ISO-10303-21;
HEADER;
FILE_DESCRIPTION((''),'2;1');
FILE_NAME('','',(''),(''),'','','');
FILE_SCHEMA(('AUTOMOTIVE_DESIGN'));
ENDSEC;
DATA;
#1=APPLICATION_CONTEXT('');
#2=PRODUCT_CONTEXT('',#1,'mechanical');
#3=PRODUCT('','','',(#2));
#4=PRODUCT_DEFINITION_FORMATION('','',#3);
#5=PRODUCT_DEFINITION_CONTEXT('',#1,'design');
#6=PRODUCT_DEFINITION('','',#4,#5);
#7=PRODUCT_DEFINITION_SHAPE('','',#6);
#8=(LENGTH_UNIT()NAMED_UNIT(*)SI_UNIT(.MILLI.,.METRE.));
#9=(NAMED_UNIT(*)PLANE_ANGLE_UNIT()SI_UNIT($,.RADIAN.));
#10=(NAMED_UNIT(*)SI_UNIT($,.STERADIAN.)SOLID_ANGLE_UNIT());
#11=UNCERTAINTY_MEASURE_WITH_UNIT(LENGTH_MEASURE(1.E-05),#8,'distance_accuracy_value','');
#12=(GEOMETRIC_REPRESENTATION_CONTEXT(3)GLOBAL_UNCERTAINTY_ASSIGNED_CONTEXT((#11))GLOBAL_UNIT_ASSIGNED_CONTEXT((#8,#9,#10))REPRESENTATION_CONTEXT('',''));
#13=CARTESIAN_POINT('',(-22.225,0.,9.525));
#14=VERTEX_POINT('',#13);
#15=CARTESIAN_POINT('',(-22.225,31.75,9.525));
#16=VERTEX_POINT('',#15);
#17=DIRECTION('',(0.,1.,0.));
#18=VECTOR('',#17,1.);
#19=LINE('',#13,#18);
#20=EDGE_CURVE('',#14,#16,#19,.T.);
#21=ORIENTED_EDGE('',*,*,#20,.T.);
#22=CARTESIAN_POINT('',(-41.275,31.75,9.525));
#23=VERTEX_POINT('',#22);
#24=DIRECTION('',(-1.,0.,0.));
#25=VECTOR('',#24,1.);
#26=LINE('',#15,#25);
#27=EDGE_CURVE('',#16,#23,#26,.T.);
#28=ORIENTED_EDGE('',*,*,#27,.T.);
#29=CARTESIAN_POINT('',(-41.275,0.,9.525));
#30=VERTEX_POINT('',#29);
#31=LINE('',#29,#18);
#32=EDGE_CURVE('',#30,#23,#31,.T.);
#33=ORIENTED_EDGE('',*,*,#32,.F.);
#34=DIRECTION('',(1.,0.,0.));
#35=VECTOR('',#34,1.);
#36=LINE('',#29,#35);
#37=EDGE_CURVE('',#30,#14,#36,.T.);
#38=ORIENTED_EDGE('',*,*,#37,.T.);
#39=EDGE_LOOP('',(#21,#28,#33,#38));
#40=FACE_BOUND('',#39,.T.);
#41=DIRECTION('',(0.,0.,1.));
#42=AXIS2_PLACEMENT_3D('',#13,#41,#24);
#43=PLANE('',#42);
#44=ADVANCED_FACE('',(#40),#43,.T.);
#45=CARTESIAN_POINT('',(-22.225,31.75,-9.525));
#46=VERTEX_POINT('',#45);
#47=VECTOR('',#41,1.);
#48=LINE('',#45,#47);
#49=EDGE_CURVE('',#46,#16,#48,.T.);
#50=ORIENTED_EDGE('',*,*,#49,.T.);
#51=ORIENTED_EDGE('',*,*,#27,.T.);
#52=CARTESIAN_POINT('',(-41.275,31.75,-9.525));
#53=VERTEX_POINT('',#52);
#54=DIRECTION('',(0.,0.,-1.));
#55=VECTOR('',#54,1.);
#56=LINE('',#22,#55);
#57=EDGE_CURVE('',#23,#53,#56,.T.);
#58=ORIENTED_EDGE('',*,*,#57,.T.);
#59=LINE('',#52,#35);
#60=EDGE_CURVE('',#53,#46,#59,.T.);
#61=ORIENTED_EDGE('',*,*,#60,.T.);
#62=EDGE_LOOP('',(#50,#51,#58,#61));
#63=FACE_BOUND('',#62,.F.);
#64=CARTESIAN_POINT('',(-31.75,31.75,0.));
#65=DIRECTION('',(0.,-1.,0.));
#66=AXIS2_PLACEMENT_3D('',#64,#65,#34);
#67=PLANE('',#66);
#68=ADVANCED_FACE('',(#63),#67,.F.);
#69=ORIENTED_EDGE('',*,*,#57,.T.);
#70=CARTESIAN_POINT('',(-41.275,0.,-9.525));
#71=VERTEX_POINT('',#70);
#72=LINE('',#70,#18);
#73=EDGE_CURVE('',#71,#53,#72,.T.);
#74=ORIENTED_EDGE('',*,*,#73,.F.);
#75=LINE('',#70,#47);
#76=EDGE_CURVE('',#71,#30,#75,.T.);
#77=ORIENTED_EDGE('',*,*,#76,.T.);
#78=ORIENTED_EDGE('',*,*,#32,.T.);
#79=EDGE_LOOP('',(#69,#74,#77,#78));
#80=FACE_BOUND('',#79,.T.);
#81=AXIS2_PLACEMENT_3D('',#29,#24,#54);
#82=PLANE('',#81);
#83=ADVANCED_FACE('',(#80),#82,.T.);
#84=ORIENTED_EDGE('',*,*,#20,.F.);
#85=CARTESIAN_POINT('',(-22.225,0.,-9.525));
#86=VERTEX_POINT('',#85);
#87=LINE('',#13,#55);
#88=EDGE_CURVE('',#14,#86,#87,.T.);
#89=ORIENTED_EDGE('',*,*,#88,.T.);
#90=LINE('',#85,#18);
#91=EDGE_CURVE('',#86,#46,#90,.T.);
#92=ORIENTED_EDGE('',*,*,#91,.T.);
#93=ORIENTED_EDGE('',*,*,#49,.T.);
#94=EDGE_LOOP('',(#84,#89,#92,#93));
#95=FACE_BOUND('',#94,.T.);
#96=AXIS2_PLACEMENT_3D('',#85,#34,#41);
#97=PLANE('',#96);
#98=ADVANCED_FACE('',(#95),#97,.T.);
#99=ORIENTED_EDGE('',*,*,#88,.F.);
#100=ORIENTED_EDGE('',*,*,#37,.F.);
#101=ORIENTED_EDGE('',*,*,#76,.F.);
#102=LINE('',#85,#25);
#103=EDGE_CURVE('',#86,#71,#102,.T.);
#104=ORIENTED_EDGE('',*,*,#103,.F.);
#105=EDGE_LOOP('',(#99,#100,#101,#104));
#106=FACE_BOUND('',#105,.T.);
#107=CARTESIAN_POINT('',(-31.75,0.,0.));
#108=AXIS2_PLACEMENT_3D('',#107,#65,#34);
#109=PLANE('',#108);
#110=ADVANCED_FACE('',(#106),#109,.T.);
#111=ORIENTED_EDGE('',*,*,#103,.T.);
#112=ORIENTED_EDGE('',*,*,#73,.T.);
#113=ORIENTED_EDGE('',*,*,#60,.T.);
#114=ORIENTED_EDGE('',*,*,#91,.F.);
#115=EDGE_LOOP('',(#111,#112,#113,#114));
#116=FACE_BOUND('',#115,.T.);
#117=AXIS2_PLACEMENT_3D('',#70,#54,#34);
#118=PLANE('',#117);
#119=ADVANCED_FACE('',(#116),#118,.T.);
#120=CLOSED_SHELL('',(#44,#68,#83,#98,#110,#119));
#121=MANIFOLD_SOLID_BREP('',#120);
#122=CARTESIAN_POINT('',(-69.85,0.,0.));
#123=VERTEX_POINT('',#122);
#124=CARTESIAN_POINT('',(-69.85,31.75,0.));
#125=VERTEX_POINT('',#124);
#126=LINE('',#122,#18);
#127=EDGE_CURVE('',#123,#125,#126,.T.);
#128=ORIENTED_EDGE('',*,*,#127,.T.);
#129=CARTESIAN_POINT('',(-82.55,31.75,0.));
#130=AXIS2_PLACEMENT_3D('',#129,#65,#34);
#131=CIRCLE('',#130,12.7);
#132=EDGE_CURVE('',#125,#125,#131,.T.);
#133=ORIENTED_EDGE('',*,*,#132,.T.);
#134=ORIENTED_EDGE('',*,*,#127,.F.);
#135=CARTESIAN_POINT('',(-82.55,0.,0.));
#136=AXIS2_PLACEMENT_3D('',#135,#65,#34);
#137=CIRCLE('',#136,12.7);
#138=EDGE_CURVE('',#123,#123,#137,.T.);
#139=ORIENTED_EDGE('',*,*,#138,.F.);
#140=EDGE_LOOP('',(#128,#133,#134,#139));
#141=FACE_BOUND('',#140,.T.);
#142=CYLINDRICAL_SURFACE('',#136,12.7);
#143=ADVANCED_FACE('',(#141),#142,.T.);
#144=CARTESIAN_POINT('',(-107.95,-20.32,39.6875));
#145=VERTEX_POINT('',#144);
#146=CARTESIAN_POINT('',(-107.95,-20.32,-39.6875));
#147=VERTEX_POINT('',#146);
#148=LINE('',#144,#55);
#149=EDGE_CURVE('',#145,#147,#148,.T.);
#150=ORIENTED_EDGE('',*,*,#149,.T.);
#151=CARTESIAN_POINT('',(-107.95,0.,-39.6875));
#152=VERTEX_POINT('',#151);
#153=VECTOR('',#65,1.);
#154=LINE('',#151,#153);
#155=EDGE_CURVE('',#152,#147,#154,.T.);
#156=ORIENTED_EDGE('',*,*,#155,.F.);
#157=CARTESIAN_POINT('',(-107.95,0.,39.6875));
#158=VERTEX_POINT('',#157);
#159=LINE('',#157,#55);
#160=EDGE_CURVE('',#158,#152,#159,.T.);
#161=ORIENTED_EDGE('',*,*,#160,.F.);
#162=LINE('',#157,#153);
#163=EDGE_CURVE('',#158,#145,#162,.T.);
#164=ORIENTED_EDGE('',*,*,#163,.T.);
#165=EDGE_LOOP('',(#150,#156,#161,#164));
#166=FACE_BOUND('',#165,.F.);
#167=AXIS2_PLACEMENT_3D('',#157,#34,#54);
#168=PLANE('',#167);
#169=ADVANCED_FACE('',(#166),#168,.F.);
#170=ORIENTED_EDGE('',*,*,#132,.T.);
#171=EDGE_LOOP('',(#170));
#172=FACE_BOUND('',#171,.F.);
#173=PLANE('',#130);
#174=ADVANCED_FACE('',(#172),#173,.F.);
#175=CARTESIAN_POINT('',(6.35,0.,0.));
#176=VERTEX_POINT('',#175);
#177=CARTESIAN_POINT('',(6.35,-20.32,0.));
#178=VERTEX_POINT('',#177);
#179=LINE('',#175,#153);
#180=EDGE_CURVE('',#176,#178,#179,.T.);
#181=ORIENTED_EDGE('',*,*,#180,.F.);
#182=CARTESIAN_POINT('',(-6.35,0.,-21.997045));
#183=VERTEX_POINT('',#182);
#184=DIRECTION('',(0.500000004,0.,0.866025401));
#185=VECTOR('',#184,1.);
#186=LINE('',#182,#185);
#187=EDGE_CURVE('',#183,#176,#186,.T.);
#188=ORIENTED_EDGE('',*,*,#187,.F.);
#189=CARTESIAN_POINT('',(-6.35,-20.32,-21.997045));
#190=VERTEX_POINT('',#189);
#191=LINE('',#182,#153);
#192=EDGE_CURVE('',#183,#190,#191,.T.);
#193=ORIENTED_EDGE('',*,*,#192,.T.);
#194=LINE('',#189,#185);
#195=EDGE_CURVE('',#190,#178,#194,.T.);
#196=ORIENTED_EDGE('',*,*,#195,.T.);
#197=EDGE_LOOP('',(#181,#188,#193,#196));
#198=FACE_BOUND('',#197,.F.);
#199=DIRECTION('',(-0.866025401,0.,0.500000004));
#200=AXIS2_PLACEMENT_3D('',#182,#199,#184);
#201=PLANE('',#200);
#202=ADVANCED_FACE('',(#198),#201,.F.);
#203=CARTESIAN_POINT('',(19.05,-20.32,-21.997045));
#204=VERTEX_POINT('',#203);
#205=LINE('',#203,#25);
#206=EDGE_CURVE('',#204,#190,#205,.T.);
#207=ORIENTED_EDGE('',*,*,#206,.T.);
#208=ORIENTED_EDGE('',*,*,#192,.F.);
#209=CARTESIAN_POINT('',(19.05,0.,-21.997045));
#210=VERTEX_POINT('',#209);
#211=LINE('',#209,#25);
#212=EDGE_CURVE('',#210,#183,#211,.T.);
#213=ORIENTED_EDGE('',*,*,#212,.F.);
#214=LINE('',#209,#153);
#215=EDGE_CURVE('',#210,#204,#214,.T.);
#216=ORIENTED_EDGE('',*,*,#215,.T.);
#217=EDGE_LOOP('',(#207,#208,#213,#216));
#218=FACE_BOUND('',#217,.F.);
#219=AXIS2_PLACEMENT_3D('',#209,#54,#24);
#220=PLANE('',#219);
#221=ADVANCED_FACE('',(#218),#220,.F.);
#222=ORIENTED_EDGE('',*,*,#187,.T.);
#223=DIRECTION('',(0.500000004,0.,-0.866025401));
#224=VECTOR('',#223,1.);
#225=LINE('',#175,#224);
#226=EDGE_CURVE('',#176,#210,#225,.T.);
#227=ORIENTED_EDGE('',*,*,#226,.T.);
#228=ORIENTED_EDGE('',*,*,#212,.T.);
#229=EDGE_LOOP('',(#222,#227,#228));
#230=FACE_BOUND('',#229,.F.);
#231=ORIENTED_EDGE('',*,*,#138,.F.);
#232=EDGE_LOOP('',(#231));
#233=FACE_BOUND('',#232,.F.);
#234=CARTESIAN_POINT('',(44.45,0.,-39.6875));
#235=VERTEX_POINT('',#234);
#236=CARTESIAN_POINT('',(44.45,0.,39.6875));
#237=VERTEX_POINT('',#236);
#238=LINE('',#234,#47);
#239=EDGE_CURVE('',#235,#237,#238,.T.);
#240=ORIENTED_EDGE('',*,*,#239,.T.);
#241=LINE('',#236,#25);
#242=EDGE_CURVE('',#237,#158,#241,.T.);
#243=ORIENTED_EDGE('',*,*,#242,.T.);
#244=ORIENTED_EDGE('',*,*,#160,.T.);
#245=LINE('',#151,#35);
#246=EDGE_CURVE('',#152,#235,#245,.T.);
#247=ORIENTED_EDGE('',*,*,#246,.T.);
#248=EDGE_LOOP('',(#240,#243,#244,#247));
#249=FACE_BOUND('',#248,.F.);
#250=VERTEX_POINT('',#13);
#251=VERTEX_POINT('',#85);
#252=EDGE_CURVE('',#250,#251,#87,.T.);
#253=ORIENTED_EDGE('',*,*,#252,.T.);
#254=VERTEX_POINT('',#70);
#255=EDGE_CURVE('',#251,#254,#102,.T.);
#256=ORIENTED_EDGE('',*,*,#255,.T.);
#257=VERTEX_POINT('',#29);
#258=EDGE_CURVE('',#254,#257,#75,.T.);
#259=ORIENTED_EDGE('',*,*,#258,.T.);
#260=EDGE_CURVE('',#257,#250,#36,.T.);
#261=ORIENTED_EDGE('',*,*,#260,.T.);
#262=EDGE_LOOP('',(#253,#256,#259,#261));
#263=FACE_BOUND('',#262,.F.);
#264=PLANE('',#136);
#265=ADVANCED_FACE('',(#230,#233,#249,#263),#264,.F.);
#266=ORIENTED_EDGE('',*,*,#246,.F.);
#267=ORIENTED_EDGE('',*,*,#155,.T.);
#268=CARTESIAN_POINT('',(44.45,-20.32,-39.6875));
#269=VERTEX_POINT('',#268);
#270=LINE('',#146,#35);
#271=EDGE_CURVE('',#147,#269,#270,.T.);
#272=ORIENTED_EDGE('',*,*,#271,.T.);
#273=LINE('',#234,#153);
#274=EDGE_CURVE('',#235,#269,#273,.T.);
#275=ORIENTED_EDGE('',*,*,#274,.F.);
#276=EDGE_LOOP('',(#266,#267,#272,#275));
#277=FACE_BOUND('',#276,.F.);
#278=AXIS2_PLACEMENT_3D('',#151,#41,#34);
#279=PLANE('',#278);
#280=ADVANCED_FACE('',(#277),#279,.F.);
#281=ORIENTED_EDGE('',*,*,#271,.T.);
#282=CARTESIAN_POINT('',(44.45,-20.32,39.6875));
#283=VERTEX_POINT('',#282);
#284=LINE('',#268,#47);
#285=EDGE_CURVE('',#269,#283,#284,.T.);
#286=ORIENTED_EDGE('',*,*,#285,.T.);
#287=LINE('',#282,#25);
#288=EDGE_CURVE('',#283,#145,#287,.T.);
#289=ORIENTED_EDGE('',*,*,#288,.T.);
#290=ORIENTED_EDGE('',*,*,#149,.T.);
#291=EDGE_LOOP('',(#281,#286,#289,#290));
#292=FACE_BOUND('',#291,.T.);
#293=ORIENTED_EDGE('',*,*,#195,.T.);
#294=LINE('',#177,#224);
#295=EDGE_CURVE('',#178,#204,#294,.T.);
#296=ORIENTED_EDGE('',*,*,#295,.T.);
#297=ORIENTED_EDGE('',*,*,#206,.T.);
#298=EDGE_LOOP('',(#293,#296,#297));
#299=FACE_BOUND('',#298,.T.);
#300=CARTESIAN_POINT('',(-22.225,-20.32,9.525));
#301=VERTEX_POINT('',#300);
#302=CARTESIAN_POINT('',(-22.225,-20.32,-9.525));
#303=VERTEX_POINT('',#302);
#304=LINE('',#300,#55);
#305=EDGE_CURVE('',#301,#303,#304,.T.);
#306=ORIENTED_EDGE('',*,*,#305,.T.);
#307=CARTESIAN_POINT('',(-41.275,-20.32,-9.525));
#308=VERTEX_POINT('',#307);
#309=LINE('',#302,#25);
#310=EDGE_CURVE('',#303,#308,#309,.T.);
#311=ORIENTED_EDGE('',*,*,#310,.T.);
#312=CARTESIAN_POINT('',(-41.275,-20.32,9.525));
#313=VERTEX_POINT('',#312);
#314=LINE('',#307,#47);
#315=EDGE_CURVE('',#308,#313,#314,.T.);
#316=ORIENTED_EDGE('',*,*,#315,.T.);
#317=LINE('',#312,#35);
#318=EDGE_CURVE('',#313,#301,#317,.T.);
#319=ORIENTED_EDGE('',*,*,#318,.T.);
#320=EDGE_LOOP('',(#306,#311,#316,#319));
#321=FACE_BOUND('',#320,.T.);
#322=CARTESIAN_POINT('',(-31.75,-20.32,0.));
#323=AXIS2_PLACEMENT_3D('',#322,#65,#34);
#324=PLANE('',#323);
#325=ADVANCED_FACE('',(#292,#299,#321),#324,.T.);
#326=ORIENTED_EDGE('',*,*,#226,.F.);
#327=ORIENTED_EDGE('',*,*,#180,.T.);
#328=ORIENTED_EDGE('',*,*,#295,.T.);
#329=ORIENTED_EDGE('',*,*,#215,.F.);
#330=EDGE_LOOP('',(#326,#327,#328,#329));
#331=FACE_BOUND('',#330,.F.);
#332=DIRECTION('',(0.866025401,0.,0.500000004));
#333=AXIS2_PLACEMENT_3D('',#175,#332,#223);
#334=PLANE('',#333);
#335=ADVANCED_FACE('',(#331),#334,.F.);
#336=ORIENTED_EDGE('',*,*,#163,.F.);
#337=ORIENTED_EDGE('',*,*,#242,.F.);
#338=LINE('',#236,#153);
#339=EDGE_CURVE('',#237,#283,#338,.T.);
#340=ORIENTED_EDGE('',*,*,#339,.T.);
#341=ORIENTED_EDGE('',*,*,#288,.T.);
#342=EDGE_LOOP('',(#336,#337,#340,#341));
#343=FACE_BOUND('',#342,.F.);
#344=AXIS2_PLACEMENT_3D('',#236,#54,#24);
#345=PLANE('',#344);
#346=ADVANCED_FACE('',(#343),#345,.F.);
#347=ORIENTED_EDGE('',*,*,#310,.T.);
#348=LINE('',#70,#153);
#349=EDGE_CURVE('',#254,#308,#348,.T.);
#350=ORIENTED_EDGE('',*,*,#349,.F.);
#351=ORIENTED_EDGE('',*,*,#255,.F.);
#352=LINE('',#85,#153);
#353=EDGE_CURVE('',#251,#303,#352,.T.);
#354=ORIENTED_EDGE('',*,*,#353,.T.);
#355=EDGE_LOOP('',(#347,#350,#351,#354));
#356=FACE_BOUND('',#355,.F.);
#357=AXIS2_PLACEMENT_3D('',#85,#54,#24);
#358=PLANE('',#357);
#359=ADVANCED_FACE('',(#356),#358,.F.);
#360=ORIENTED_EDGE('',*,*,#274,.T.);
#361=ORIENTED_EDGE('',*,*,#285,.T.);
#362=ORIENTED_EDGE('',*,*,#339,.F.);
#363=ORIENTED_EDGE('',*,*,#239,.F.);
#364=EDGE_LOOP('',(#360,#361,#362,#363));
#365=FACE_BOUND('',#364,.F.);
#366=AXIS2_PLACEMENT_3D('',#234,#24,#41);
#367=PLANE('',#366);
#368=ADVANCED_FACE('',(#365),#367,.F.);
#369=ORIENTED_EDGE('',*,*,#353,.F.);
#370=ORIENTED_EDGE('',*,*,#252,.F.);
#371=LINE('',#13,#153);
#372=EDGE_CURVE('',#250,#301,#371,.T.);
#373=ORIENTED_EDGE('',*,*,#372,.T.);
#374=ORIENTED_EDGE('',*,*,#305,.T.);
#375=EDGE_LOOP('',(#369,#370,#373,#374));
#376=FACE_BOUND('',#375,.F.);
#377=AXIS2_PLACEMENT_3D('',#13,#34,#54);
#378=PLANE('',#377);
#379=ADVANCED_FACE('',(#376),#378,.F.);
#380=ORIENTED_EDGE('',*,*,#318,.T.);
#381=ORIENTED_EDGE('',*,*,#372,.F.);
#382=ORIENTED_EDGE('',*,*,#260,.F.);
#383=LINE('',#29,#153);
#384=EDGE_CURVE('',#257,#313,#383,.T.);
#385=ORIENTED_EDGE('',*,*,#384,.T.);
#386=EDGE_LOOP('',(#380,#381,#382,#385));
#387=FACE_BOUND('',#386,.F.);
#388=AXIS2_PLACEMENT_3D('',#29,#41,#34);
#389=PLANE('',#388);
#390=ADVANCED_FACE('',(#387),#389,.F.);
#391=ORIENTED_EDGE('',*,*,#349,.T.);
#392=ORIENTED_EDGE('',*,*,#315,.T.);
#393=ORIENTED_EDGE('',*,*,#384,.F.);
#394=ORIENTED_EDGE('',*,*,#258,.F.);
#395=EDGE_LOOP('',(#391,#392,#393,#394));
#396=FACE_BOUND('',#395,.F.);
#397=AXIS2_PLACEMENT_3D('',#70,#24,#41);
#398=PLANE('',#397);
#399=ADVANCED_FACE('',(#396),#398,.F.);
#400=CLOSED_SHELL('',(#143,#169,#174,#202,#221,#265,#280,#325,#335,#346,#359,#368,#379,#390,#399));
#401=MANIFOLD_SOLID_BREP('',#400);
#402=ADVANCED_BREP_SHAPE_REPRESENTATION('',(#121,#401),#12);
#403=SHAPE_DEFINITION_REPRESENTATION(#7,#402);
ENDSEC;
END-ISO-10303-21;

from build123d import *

# Parameters (mm, degrees)
F0_R     = 12.7
F1_DEPTH = 20.32
F2_DEPTH = 20.32
F3_DEPTH = 31.75
F4_DEPTH = 31.75


with BuildPart() as f1:
    # F0 (on Front) → F1 (new body)
    with BuildSketch(Plane.XZ):
        Polygon((44.45, -39.6875), (44.45, 0), (44.45, 39.6875), (-107.95, 39.6875), (-107.95, -39.6875), align=None)
        Polygon((-6.35, -21.997045), (6.35, 0), (19.05, -21.997045), align=None, mode=Mode.SUBTRACT)
        with Locations((-82.55, 0)):
            Circle(F0_R, mode=Mode.SUBTRACT)
        Polygon((-22.225, 9.525), (-22.225, 0), (-22.225, -9.525), (-41.275, -9.525), (-41.275, 9.525), align=None, mode=Mode.SUBTRACT)
    extrude(amount=F1_DEPTH)

    # F0 (on Front) → F2 (join)
    with BuildSketch(Plane.XZ):
        with Locations((-82.55, 0)):
            Circle(F0_R)
    extrude(amount=F2_DEPTH)

    # F0 (on Front) → F3 (join)
    with BuildSketch(Plane.XZ):
        with Locations((-82.55, 0)):
            Circle(F0_R)
    extrude(amount=-F3_DEPTH)

    # F0 (on Front) → F4 (join)
    with BuildSketch(Plane.XZ):
        Polygon((-22.225, -9.525), (-22.225, 0), (-22.225, 9.525), (-41.275, 9.525), (-41.275, -9.525), align=None)
    extrude(amount=-F4_DEPTH)


solid = f1.part
